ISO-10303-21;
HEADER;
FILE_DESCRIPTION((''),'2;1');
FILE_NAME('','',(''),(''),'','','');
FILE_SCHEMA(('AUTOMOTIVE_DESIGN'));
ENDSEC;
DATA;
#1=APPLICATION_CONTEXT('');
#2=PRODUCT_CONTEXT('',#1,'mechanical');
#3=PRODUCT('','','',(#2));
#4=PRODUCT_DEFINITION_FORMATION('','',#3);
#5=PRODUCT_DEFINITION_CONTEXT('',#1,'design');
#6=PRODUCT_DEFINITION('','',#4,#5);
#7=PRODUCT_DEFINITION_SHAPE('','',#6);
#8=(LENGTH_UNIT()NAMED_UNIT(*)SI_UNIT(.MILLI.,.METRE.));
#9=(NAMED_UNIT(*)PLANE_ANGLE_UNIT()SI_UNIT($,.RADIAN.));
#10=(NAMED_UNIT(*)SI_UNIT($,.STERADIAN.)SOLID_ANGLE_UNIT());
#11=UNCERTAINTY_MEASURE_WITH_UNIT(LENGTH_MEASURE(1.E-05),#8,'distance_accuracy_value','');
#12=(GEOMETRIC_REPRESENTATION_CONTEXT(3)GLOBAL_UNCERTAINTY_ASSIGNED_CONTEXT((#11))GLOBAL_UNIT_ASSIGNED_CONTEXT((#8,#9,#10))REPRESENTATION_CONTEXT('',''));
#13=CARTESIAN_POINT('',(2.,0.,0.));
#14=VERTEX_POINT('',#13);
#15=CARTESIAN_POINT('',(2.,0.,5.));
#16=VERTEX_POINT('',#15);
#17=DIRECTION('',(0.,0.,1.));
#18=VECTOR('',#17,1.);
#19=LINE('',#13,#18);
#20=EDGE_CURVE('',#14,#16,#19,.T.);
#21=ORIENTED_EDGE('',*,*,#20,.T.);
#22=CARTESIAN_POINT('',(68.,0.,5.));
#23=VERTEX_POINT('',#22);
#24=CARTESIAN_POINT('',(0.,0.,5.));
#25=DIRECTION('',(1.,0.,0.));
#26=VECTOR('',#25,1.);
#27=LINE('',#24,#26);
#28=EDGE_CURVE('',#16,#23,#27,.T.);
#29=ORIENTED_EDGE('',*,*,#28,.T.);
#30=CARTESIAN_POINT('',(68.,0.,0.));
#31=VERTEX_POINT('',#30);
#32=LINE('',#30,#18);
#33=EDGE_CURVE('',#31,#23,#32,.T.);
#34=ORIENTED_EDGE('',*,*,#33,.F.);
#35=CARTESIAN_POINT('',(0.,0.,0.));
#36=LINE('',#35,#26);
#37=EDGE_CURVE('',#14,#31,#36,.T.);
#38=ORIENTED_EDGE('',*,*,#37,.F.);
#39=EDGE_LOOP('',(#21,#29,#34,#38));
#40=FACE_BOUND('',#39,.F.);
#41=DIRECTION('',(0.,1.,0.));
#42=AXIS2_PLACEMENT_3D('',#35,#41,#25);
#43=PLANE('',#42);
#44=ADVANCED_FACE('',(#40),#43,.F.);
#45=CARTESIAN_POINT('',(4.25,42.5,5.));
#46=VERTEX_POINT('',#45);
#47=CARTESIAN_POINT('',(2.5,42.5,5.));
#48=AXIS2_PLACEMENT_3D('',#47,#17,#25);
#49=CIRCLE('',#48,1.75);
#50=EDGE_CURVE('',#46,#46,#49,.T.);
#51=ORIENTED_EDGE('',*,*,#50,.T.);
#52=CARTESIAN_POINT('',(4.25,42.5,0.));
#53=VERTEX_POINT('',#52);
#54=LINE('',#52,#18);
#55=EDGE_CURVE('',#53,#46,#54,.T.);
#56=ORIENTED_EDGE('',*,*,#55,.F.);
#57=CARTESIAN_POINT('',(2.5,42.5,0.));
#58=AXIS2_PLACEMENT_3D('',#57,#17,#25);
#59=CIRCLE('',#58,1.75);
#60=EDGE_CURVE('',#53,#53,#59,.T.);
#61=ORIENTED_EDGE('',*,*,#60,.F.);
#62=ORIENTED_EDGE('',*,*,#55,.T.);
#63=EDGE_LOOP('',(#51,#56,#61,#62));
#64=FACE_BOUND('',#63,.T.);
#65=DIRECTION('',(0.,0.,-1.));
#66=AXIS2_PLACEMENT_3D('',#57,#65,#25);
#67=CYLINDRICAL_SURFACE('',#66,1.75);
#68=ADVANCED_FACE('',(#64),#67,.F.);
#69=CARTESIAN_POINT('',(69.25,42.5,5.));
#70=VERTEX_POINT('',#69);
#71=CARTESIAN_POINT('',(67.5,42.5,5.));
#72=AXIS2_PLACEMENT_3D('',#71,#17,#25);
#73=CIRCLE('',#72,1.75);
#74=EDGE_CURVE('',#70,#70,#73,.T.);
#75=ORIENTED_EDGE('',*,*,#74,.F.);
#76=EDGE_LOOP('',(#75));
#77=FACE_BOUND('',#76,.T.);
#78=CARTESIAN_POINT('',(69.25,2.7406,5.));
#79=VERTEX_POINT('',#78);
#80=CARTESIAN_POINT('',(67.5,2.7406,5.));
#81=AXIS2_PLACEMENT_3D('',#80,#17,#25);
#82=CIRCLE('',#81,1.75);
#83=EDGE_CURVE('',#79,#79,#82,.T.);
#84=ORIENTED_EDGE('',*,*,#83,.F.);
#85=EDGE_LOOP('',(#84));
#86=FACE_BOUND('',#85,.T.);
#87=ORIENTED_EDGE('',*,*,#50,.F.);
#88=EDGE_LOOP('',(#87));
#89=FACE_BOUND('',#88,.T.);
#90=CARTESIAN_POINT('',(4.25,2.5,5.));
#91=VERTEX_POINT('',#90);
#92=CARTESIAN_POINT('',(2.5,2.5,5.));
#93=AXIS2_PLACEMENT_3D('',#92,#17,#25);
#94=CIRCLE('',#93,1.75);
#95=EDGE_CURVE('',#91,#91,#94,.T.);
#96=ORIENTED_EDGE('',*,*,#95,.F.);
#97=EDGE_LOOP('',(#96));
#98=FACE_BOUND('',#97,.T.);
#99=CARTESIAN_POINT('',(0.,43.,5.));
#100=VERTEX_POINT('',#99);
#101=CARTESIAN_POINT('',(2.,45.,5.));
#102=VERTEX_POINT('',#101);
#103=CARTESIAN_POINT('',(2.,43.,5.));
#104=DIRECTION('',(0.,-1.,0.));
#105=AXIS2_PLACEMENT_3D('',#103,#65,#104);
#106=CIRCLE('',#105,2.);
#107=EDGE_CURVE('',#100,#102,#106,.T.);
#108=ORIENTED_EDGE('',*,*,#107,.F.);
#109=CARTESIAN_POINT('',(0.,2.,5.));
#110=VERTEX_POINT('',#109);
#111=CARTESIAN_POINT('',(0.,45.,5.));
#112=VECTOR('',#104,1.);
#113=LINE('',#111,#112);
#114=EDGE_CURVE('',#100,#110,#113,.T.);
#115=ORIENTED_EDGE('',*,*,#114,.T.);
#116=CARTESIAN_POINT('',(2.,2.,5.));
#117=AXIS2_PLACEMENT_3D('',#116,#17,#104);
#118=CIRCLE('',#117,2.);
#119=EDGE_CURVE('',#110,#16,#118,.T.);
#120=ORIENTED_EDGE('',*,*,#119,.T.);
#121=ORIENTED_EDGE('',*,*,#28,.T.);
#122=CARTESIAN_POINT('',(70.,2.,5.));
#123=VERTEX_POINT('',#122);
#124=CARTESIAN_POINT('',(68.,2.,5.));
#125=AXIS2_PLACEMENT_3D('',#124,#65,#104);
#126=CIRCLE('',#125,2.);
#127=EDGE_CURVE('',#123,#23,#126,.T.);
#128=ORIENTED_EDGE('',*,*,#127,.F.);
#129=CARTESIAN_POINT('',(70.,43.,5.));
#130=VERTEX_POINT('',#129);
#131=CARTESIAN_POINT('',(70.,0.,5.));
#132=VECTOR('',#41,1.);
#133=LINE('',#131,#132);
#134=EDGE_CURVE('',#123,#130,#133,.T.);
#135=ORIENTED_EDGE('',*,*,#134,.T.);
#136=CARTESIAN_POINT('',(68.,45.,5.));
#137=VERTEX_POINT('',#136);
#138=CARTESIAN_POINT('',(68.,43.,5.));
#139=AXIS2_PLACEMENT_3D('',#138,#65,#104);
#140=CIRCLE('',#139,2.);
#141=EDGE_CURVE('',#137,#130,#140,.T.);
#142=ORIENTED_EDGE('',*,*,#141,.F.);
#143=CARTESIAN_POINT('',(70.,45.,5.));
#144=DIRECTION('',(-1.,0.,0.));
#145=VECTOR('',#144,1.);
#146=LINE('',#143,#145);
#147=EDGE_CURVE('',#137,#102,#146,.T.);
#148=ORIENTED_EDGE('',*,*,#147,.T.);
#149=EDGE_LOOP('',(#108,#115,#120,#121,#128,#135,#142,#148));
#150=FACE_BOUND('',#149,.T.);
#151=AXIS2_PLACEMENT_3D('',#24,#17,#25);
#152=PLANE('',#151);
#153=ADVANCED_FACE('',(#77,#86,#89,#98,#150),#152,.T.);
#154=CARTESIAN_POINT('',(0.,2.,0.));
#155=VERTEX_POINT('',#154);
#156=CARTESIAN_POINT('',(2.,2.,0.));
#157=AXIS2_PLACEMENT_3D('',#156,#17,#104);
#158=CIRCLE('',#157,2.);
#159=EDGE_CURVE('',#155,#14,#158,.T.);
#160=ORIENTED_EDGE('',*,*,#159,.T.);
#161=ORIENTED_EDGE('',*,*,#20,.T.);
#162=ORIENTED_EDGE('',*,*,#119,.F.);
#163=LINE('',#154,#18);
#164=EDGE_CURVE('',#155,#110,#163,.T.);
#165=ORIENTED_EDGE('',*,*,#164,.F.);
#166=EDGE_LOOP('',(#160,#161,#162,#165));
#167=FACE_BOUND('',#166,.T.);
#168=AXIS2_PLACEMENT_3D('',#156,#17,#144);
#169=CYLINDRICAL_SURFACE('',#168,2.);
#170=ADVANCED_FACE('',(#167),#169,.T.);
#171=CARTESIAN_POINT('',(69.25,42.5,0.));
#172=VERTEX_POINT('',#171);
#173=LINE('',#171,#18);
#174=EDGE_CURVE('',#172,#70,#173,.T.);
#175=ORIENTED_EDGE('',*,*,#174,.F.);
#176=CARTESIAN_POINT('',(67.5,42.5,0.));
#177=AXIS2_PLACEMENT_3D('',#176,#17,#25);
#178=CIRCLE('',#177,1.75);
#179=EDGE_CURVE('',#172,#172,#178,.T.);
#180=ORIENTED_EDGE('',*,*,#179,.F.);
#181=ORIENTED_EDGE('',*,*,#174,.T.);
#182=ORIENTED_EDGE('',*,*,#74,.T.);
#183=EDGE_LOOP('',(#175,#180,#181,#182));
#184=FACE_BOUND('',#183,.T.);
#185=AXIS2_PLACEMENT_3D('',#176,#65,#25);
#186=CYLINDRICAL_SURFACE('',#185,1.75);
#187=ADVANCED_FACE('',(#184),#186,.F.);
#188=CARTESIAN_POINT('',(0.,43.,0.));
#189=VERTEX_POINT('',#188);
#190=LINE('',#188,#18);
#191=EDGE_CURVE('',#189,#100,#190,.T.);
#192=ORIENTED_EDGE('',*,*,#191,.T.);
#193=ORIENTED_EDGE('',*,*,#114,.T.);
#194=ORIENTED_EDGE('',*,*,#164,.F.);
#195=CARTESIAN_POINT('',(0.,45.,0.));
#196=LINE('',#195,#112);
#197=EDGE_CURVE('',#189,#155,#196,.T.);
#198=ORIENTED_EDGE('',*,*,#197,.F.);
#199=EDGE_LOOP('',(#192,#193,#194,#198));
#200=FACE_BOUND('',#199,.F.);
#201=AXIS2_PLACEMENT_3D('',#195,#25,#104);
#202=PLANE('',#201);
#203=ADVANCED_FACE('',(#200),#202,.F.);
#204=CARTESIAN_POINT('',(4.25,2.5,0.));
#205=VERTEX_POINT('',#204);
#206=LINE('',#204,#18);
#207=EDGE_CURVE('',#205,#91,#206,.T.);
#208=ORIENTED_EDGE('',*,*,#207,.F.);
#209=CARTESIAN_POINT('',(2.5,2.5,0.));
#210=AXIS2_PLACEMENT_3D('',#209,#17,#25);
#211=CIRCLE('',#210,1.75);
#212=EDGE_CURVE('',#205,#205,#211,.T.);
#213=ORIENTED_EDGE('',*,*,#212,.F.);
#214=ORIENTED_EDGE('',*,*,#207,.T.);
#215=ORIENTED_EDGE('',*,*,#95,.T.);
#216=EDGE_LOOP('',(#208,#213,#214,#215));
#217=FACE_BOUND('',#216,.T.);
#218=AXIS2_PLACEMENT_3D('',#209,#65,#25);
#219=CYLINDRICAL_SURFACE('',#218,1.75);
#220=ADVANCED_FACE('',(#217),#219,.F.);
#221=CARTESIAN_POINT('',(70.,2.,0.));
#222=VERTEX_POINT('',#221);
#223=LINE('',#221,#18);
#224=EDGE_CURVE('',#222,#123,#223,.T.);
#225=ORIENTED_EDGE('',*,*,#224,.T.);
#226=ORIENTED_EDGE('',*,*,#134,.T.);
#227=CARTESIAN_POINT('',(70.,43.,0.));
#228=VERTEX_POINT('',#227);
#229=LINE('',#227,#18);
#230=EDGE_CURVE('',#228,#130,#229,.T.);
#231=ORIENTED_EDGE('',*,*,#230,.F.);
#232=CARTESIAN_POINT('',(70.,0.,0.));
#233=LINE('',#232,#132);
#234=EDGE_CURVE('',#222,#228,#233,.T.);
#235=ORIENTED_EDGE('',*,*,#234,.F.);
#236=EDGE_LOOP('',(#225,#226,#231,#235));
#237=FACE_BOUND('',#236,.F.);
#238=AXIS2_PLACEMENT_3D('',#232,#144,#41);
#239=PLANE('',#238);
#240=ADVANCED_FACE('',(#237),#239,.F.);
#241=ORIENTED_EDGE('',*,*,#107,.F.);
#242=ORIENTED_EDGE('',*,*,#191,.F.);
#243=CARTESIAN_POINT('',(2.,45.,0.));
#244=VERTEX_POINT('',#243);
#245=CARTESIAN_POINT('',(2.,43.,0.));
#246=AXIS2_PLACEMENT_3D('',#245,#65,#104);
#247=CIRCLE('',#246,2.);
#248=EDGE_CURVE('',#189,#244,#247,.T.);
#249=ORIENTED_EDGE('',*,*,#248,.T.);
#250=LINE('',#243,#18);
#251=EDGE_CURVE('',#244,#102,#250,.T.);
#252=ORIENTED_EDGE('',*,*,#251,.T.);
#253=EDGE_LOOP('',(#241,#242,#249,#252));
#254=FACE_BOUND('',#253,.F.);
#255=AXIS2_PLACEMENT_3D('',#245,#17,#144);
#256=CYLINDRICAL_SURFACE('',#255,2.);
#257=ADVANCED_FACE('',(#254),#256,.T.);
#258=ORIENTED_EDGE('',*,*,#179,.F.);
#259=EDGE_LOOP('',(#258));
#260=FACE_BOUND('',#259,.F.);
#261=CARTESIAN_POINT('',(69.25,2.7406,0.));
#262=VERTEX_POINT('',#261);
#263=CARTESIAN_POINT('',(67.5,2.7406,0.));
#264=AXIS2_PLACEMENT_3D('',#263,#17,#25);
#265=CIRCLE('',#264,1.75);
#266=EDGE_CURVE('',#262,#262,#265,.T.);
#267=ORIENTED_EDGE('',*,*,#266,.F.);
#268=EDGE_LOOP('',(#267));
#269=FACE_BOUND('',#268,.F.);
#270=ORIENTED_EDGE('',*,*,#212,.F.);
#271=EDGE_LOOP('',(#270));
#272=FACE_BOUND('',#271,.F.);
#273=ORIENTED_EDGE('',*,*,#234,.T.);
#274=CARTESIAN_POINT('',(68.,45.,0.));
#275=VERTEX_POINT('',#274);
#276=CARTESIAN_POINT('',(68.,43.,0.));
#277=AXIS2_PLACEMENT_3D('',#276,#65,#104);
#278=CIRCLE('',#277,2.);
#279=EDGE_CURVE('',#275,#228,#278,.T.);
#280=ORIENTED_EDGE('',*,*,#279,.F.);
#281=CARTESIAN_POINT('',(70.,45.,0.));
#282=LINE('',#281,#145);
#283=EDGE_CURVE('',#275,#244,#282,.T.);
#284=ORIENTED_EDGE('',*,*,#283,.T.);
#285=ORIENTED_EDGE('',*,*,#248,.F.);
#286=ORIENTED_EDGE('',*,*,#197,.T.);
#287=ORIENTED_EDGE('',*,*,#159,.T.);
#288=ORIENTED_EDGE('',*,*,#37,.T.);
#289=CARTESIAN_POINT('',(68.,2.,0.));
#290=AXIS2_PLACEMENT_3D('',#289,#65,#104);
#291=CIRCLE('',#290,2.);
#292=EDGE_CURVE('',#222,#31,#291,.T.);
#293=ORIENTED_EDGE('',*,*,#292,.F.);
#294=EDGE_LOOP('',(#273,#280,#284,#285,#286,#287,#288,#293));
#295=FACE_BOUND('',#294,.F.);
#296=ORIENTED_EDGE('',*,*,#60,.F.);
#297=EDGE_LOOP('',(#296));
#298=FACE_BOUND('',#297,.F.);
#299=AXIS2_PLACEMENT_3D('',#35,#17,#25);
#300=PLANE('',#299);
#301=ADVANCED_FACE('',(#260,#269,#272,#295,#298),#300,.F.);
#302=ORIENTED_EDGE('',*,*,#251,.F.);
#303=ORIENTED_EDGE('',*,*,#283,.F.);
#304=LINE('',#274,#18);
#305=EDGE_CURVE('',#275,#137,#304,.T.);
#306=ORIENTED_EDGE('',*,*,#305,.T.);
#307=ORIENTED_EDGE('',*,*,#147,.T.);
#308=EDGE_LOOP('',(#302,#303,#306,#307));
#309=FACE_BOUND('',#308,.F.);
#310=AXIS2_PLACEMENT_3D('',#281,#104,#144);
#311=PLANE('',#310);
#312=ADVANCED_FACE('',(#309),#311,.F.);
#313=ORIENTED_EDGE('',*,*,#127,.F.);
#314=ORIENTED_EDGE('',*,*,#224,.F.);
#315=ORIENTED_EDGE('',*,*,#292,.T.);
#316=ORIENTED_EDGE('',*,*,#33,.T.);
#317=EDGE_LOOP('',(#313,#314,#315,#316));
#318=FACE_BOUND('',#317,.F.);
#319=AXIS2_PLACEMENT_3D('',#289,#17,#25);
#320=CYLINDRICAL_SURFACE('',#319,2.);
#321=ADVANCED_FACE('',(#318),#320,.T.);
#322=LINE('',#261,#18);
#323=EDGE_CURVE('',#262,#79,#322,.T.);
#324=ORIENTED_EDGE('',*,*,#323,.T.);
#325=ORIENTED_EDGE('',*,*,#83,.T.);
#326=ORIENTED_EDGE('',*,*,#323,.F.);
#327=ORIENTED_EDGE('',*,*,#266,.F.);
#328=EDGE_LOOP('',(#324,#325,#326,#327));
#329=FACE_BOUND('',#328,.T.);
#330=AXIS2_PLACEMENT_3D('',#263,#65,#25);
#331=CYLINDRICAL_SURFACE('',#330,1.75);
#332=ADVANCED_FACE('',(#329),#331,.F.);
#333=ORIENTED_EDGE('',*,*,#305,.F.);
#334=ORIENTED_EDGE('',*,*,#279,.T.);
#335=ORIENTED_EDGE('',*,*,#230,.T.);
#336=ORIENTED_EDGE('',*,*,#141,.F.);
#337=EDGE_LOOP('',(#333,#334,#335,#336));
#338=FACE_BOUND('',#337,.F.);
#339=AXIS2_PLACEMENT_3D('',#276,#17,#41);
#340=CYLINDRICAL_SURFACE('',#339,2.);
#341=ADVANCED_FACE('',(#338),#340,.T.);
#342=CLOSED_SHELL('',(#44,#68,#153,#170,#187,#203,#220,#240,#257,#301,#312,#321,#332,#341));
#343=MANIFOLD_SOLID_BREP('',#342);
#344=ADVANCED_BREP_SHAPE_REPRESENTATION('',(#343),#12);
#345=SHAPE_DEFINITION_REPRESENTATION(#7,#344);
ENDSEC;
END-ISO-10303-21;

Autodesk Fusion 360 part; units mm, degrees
sketch "Sketch1" plane through (0, 0, 0) normal (0, 0, 1) x (1, 0, 0)
  line L0 (0, 0) -> (70, 0)
  line L1 (70, 0) -> (70, 45)
  line L2 (70, 45) -> (0, 45)
  line L3 (0, 45) -> (0, 0)
  circle A0 centre (2.5, 42.5) radius 1.75
  circle A1 centre (67.5, 42.5) radius 1.75
  circle A2 centre (67.5, 2.7406) radius 1.75
  circle A3 centre (2.5, 2.5) radius 1.75
  dimension "d1" = 45
  dimension "d2" = 70
  dimension "d3" = 3.5
  dimension "d4" = 3.5
  dimension "d5" = 3.5
  dimension "d6" = 3.5
extrude "Extrude1" add sketch "Sketch1" along normal blind 5
fillet "Fillet1" radius 2 4 edges at (0, 45, 2.5) (0, 0, 2.5) (70, 45, 2.5) (70, 0, 2.5)
